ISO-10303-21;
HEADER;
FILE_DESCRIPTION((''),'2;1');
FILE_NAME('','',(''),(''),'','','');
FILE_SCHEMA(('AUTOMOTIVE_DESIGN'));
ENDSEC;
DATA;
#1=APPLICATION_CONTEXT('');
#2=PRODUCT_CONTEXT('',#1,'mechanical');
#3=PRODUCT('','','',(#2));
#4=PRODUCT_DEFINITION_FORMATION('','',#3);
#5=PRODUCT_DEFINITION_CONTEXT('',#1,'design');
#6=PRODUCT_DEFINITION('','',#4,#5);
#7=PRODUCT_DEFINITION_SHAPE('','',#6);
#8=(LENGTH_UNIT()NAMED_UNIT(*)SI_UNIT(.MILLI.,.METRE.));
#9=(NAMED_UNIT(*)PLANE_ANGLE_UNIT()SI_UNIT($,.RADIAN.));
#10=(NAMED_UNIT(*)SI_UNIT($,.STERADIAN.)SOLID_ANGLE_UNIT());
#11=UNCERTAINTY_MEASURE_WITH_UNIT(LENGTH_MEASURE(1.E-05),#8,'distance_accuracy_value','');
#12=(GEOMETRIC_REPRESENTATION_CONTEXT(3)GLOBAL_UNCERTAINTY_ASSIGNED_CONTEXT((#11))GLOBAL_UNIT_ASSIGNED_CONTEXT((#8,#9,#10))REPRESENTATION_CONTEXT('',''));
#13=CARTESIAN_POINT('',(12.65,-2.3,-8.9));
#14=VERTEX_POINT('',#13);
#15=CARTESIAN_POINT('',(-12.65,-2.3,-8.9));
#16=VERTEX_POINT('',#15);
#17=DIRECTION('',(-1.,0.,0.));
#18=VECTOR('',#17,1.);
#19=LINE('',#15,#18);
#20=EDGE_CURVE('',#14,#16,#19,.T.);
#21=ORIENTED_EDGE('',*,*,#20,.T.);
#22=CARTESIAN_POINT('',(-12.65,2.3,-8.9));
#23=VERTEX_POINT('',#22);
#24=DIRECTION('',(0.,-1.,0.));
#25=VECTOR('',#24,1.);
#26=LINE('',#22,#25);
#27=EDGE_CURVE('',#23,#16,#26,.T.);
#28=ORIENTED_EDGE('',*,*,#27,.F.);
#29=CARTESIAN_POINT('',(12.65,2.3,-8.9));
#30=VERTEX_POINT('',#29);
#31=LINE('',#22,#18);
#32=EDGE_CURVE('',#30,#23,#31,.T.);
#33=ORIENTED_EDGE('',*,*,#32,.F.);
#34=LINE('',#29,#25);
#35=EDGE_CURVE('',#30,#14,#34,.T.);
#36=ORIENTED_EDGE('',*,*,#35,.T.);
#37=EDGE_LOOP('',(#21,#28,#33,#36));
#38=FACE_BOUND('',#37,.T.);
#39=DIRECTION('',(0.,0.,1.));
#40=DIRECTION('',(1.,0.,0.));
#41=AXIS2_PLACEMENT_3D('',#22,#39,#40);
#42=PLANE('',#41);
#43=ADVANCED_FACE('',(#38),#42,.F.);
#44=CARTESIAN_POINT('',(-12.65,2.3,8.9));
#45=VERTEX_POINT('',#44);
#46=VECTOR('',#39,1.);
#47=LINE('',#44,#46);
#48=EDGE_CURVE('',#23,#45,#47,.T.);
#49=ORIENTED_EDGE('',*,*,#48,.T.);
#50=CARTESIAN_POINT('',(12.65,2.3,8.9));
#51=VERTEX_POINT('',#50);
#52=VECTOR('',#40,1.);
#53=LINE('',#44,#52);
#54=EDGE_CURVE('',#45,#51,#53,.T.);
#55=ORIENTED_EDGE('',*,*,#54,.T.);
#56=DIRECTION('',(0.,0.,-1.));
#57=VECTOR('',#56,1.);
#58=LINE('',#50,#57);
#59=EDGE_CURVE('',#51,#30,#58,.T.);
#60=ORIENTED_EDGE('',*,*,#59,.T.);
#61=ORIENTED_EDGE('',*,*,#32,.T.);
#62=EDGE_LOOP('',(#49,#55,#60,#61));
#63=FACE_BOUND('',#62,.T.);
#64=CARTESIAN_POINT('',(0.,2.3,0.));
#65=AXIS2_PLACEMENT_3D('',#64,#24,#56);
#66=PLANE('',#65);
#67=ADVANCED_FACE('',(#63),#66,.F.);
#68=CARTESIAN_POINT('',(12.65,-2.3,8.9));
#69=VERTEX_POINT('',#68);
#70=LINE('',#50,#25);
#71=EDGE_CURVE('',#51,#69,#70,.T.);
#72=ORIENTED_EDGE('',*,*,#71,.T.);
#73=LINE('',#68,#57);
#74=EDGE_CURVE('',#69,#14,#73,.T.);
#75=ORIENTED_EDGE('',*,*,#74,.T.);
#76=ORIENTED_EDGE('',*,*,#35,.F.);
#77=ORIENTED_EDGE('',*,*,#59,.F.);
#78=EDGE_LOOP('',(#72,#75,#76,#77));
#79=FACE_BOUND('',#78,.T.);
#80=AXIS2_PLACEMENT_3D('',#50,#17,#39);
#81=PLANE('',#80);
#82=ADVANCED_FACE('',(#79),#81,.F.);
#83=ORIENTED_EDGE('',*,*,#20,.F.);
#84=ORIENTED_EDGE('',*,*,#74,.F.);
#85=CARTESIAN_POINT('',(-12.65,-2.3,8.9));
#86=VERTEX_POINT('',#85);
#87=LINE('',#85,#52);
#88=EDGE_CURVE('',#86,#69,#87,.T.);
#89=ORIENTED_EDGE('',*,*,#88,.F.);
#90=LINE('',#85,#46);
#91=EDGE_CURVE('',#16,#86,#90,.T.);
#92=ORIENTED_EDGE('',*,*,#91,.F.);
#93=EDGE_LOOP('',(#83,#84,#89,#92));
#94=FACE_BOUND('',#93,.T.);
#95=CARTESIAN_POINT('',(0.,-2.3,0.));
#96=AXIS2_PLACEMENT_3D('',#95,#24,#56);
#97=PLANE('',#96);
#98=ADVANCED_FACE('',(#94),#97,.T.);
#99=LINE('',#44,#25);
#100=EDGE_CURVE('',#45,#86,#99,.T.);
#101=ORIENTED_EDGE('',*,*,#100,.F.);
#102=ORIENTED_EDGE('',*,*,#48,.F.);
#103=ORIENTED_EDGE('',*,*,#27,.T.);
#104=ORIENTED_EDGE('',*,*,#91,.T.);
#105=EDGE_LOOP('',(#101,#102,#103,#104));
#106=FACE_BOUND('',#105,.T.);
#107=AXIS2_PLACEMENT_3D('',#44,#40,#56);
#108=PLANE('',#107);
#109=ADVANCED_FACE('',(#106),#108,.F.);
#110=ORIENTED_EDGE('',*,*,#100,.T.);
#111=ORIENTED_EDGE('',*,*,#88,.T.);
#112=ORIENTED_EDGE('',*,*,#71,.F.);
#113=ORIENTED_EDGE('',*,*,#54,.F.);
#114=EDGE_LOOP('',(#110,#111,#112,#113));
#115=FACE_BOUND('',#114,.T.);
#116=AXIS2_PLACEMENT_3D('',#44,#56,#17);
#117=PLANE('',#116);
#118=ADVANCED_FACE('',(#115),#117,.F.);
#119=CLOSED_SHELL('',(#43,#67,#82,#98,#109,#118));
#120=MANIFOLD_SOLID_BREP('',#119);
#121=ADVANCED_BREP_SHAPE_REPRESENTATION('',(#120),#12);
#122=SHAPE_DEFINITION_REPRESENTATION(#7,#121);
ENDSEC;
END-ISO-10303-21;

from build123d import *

# Parameters (mm, degrees)
SKETCH1_W           = 25.3
SKETCH1_H           = 17.8
BOSS_EXTRUDE1_DEPTH = 2.3


with BuildPart() as part:
    # Sketch1 → Boss-Extrude1 (new body, symmetric)
    with BuildSketch(Plane(origin=(0, 0, 0), x_dir=(1, 0, 0), z_dir=(0, 1, 0))):
        Rectangle(SKETCH1_W, SKETCH1_H)
    extrude(amount=BOSS_EXTRUDE1_DEPTH, both=True)


solid = part.part
